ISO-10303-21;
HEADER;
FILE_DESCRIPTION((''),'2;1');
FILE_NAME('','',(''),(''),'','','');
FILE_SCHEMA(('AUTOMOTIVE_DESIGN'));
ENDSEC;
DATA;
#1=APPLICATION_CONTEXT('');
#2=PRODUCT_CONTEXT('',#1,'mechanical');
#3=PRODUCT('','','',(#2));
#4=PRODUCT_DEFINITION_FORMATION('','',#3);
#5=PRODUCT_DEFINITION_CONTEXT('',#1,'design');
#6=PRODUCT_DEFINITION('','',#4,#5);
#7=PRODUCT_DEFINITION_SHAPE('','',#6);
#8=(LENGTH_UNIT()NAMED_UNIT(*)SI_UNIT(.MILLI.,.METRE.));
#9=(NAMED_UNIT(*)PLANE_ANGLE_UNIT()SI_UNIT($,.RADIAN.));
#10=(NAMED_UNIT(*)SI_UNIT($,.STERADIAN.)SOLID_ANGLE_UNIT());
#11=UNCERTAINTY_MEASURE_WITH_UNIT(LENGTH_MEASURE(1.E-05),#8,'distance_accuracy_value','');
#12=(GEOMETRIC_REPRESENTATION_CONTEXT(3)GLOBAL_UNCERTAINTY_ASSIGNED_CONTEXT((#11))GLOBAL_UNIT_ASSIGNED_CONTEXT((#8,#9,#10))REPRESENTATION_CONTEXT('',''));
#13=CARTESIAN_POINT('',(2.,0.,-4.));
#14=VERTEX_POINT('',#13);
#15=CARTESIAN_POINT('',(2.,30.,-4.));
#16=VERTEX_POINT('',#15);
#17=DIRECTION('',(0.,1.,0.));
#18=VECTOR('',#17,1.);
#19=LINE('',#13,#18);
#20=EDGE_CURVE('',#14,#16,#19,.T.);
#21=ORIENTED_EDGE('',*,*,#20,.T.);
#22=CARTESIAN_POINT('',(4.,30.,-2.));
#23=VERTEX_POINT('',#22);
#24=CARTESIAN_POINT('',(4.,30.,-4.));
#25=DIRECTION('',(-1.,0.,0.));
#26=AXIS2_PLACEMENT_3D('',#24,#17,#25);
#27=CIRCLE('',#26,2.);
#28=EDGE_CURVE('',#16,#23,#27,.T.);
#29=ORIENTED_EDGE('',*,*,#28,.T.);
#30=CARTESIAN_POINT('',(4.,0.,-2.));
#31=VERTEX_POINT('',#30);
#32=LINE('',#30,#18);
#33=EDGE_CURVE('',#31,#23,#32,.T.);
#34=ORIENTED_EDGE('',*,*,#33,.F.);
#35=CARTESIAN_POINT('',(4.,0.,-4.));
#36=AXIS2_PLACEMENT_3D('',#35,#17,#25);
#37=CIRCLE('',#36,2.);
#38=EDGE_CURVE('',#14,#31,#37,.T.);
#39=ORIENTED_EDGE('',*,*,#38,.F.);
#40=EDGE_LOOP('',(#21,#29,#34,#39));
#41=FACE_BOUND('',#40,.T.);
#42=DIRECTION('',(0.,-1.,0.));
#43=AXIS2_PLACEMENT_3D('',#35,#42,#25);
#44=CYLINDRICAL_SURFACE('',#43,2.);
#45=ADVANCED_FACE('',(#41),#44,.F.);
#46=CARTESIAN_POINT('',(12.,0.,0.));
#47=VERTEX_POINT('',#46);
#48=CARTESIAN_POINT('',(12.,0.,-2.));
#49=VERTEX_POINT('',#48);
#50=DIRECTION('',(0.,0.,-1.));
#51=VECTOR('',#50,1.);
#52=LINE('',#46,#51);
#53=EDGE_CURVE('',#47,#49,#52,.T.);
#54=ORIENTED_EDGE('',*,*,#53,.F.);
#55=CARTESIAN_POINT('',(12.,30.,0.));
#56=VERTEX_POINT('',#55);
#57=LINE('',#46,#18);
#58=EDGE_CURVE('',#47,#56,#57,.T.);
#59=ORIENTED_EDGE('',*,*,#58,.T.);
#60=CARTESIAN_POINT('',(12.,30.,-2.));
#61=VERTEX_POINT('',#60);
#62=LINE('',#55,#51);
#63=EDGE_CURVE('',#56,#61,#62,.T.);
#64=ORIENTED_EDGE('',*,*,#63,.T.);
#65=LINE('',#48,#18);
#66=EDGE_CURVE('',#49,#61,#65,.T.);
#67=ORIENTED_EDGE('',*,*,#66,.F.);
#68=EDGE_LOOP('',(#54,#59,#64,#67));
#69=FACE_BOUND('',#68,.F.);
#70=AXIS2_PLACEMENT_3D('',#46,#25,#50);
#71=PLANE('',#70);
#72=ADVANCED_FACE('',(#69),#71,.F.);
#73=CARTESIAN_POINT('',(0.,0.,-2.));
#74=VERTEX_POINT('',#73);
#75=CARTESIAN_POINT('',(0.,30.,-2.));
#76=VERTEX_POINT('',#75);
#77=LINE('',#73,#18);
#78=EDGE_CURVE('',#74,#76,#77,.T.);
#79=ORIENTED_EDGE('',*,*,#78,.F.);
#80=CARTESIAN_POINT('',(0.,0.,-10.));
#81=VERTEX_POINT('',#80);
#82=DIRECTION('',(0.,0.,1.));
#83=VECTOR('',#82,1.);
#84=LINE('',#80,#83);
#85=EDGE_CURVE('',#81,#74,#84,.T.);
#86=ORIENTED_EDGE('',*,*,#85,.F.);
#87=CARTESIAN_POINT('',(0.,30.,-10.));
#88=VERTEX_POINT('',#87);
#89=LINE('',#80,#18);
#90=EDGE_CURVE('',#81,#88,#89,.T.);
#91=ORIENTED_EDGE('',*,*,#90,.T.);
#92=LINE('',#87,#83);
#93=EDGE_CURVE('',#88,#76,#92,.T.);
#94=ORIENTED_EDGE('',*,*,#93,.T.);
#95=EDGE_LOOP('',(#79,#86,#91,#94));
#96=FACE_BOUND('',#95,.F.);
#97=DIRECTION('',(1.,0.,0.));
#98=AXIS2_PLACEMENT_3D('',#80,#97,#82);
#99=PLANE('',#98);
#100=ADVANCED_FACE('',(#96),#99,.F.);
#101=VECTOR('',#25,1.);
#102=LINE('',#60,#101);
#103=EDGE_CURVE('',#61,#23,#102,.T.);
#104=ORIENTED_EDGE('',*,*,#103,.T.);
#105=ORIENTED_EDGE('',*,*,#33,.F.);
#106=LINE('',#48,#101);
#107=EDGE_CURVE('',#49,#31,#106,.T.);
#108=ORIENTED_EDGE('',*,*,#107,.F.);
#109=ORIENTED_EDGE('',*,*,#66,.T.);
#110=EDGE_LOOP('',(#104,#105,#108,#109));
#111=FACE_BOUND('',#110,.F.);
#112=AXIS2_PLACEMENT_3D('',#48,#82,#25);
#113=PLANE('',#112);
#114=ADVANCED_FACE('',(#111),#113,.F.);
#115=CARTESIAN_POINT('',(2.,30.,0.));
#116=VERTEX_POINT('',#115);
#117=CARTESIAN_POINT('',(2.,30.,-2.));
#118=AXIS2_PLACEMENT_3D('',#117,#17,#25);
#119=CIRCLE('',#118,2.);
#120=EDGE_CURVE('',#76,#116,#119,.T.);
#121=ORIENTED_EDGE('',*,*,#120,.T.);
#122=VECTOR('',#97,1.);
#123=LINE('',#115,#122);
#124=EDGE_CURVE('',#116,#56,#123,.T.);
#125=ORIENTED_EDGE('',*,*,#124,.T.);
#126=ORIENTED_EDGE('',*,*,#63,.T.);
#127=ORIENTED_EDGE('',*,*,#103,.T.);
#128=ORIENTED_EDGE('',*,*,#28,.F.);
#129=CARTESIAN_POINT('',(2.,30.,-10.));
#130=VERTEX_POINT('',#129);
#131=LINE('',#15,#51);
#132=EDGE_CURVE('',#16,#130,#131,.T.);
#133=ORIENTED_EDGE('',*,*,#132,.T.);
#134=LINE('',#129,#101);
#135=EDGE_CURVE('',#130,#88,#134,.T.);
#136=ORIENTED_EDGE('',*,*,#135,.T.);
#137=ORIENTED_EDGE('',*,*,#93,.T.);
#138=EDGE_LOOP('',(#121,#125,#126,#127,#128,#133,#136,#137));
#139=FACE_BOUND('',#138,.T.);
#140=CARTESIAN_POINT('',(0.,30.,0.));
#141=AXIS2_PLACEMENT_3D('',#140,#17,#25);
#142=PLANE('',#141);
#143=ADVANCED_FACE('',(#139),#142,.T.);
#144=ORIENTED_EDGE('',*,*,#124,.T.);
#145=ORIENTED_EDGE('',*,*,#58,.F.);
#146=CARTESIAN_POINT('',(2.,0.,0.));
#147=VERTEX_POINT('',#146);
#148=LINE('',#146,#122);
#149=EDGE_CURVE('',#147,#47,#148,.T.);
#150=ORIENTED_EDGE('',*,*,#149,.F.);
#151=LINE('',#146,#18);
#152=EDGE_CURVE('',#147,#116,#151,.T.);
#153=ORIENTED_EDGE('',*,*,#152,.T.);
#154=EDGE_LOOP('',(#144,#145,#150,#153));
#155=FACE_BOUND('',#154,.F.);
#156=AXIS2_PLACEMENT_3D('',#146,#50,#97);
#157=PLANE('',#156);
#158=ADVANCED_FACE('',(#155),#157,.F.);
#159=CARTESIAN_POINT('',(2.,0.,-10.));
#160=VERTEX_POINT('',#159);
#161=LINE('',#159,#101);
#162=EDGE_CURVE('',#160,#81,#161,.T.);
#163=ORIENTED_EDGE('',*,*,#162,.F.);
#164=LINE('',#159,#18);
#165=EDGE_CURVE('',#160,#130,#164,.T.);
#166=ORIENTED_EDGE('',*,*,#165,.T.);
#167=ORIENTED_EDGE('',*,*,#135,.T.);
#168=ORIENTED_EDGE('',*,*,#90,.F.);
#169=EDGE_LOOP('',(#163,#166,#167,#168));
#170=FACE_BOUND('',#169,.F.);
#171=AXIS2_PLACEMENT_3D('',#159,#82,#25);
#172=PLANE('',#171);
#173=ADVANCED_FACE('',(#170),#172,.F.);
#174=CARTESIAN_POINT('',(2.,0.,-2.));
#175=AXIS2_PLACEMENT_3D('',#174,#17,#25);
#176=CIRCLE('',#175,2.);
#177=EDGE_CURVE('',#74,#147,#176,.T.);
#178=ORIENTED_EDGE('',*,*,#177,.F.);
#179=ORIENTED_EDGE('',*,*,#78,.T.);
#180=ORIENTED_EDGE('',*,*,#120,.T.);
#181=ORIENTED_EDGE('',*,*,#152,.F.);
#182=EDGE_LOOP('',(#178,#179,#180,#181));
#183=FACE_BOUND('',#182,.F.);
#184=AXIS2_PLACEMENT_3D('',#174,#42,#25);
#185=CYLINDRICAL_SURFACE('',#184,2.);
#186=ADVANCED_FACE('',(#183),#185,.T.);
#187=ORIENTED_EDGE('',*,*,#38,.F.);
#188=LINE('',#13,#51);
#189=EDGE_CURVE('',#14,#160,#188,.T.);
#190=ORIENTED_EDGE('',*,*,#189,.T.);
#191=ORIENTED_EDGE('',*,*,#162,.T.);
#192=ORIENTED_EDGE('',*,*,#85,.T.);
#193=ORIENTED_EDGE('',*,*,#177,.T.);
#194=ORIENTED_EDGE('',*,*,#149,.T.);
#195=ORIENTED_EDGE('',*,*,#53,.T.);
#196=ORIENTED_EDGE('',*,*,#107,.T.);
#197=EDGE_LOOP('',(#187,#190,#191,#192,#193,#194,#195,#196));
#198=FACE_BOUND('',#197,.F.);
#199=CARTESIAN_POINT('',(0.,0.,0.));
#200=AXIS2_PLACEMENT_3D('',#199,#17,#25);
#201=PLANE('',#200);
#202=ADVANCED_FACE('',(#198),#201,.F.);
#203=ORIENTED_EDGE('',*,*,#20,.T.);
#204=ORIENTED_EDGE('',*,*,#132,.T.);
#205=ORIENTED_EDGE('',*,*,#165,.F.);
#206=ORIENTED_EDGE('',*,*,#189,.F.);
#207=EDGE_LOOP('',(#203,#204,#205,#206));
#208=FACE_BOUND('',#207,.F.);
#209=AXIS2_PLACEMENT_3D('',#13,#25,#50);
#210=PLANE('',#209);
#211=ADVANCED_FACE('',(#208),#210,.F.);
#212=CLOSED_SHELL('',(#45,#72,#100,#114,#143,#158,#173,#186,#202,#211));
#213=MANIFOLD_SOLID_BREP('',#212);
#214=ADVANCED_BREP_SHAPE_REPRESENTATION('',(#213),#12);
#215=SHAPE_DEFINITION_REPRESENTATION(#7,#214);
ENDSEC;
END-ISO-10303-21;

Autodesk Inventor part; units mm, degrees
ref_plane "YZ Plane" through (0, 0, 0) normal (1, 0, 0) x (0, 1, 0)
ref_plane "XZ Plane" through (0, 0, 0) normal (0, 1, 0) x (-1, 0, 0)
ref_plane "XY Plane" through (0, 0, 0) normal (0, 0, 1) x (1, 0, 0)
sketch "Sketch1" plane through (0, 0, 0) normal (0, 1, 0) x (-1, 0, 0)
  line L0 (-2, 0) -> (-2, 0)
  line L1 (-2, -4) -> (-2, -10)
  line L2 (-2, -10) -> (0, -10)
  line L3 (0, -10) -> (0, -2)
  line L4 (-2, 0) -> (-12, 0)
  line L5 (-12, 0) -> (-12, -2)
  line L6 (-12, -2) -> (-4, -2)
  line L7 (-2, -2) -> (-2, 0)
  arc A0 (-2, -4) -> (-4, -2) centre (-4, -4) ccw
  arc A1 (0, -2) -> (-2, 0) centre (-2, -2) ccw
  point P0 (0, 0)
  dimension "d0" = 2
  dimension "d1" = 2
  dimension "d2" = 10
  dimension "d3" = 10
  dimension "d4" = 2
  dimension "d5" = 2
extrude "Extrusion1" add sketch "Sketch1" along normal blind 30
equation "\"d1\" = d0"
properties material "Aluminum 6061"
